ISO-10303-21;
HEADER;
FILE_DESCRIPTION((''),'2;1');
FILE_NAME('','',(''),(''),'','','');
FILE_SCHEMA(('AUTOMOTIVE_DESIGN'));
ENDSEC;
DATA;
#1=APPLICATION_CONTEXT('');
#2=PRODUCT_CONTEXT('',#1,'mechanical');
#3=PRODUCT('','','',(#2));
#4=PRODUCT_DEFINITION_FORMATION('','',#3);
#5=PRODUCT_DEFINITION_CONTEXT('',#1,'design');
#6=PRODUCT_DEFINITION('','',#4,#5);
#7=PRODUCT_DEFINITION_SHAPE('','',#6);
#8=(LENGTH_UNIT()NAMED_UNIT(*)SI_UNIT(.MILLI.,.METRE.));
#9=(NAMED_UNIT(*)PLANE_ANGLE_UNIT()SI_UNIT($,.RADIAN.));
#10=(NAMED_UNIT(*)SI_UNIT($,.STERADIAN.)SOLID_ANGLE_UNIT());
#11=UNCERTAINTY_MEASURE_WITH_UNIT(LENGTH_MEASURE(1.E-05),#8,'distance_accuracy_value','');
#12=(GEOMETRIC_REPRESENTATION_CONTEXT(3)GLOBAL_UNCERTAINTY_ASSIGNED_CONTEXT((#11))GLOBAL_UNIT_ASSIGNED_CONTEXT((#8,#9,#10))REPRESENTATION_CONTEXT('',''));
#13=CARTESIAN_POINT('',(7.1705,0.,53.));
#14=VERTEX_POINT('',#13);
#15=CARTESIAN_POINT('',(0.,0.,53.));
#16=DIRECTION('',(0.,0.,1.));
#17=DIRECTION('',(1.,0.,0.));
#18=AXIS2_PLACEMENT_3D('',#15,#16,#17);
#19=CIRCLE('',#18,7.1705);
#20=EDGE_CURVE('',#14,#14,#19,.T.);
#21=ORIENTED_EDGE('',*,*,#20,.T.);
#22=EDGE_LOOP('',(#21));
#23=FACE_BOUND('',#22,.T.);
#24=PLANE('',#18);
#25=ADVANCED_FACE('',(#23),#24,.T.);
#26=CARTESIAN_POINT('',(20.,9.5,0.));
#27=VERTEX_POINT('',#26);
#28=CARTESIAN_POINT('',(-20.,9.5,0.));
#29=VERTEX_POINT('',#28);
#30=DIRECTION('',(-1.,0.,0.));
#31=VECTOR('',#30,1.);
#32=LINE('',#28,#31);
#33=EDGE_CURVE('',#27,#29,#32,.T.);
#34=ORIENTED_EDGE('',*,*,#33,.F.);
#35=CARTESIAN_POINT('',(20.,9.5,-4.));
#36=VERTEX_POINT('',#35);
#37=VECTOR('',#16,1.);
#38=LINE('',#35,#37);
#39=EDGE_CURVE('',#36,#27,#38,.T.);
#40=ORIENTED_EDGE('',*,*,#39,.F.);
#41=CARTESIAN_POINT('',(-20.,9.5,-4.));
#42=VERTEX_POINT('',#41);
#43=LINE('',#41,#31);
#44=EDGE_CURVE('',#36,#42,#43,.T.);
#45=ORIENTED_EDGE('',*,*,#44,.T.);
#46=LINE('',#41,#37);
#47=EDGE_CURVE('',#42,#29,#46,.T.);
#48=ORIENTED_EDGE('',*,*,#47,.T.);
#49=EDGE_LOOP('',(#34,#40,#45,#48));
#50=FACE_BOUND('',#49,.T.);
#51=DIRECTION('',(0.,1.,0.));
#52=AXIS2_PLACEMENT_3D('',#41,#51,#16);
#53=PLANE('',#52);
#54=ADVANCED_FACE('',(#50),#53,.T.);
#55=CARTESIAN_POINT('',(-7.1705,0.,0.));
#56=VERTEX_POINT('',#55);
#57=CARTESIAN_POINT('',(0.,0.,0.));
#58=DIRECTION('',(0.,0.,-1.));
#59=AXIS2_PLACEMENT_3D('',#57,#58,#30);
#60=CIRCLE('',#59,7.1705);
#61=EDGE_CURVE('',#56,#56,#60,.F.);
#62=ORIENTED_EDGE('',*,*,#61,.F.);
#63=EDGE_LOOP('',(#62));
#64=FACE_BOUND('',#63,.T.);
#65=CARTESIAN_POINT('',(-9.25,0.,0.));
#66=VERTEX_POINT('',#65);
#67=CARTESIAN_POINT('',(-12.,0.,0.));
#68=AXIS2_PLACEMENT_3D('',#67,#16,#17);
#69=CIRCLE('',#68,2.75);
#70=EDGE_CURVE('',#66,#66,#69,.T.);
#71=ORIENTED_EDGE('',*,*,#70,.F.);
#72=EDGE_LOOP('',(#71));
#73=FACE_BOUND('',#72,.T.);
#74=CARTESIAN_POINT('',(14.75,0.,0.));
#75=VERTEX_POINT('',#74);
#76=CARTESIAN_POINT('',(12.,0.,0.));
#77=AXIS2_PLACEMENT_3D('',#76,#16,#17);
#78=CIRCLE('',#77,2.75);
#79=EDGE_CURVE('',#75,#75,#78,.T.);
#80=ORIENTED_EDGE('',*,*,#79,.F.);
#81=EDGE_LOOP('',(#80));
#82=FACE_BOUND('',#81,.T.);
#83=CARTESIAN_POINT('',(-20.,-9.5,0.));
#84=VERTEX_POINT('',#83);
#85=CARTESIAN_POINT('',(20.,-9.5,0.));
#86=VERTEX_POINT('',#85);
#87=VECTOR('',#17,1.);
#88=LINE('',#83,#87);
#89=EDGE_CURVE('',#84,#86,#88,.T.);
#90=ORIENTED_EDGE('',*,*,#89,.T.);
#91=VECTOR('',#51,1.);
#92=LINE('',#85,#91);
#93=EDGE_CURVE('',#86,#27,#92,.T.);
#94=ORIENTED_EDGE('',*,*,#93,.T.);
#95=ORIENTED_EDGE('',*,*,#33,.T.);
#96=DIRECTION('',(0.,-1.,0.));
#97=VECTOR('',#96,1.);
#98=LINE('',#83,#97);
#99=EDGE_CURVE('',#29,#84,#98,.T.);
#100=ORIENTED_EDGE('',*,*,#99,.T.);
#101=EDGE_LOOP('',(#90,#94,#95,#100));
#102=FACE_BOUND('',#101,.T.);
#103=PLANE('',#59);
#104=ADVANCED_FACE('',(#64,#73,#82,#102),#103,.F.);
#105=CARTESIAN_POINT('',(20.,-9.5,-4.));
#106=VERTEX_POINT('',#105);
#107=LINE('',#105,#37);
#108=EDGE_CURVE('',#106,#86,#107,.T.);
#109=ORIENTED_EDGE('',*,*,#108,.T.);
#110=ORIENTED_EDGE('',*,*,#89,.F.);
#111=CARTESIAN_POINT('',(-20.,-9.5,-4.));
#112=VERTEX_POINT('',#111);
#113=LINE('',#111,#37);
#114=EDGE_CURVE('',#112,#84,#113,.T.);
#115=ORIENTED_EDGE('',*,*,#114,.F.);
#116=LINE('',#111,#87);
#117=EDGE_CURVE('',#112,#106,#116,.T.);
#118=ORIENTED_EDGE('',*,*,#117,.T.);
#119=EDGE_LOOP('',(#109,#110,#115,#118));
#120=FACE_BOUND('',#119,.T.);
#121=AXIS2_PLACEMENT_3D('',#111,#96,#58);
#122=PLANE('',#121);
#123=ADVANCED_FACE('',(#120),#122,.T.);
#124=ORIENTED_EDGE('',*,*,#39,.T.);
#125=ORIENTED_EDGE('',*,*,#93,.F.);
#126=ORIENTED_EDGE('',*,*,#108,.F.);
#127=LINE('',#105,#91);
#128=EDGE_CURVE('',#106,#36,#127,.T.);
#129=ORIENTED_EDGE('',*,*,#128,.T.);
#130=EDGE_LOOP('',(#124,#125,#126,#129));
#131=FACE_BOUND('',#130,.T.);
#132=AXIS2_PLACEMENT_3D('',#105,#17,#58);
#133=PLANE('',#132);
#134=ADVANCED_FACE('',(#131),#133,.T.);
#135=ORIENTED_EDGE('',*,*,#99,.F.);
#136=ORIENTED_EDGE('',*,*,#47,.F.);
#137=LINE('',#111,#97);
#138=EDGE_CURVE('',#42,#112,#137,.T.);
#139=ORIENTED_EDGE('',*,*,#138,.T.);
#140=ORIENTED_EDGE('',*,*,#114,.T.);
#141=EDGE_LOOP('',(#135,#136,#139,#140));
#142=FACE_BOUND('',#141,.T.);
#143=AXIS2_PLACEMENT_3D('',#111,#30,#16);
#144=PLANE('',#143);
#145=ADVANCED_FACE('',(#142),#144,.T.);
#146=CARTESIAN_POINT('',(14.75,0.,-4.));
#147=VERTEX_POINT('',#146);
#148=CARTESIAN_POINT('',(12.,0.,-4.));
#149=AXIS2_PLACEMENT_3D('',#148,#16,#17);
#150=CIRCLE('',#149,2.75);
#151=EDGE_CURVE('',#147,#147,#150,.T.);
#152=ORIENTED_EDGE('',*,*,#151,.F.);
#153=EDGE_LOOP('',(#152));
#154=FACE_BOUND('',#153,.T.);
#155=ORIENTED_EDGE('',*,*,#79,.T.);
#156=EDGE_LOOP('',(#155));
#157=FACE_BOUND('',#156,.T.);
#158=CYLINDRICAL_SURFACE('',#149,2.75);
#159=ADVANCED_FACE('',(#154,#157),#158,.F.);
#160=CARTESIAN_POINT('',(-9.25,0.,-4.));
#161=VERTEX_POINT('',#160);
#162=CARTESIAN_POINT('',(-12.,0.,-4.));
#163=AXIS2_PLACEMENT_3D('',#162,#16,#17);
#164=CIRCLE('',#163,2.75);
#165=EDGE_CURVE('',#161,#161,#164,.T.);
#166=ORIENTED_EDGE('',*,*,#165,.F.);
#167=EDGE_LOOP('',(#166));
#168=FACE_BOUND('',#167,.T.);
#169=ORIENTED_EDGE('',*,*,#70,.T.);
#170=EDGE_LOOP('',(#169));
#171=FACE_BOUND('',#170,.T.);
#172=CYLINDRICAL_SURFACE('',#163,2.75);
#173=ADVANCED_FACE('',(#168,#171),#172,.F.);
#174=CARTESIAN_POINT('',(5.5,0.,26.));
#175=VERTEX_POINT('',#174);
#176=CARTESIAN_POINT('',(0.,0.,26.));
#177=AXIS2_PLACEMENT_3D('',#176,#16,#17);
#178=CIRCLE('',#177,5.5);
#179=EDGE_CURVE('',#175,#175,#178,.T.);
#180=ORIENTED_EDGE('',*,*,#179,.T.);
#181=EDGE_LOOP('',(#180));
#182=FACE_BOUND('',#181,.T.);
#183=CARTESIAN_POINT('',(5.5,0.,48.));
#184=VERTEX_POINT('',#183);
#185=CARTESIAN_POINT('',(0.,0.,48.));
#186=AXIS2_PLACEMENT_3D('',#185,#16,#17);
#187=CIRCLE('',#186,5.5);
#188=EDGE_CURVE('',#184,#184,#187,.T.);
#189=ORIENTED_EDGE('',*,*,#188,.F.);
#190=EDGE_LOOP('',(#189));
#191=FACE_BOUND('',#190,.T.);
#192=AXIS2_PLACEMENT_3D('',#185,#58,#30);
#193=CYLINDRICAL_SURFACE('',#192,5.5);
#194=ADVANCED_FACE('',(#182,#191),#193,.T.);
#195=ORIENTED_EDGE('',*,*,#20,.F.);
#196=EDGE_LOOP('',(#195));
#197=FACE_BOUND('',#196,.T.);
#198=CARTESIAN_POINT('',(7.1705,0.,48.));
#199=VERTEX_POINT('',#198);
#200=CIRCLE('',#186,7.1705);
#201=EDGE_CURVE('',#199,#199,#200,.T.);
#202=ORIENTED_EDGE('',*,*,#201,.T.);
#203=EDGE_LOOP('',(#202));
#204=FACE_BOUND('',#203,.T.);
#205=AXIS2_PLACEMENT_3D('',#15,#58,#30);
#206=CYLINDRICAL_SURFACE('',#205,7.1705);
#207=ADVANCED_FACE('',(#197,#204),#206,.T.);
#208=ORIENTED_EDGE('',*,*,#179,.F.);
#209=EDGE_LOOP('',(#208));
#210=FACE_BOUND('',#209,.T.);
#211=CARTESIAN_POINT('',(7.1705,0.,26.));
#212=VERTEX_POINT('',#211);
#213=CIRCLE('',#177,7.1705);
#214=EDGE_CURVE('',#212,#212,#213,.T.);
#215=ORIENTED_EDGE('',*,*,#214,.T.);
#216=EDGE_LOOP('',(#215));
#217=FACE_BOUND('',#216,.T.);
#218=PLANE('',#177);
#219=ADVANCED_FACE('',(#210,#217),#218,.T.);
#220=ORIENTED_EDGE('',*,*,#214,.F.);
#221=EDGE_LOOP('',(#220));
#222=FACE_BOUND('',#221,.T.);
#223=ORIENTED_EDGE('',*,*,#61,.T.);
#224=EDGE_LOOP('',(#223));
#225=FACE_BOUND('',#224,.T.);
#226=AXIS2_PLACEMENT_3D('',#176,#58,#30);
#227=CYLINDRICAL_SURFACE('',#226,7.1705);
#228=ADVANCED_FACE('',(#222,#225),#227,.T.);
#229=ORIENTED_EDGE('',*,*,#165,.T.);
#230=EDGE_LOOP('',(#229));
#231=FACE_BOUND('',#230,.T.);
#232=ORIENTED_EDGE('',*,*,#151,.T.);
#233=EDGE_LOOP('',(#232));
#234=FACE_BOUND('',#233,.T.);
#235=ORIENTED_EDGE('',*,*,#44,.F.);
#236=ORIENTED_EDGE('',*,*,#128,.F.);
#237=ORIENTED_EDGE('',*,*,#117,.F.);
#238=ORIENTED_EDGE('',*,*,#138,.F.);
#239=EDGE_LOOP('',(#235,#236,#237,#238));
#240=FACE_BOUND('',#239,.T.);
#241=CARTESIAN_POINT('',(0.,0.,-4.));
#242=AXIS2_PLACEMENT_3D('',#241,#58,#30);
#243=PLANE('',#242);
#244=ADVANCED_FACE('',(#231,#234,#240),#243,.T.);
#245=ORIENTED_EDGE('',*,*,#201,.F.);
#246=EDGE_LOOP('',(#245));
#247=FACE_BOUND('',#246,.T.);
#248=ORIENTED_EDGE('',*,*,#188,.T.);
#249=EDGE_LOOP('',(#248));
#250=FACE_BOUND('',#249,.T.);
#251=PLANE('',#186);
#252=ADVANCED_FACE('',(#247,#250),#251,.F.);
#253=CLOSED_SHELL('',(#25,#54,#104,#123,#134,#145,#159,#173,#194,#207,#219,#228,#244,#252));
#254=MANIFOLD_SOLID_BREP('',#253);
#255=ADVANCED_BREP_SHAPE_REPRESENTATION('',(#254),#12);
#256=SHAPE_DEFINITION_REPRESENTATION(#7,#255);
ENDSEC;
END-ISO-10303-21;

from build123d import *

# Parameters (mm, degrees)
SKETCH1_W           = 40
SKETCH1_H           = 19
SKETCH1_R           = 2.75
BOSS_EXTRUDE1_DEPTH = 4
SKETCH2_R           = 7.1705
BOSS_EXTRUDE2_DEPTH = 26
SKETCH3_R           = 5.5
BOSS_EXTRUDE3_DEPTH = 22
SKETCH4_R           = 7.1705
BOSS_EXTRUDE4_DEPTH = 5


with BuildPart() as part:
    # Sketch1 → Boss-Extrude1 (new body)
    with BuildSketch(Plane.XY):
        Rectangle(SKETCH1_W, SKETCH1_H)
        with Locations((12, 0)):
            Circle(SKETCH1_R, mode=Mode.SUBTRACT)
        with Locations((-12, 0)):
            Circle(SKETCH1_R, mode=Mode.SUBTRACT)
    extrude(amount=-BOSS_EXTRUDE1_DEPTH)

    # Sketch2 → Boss-Extrude2 (add)
    with BuildSketch(Plane.XY):
        Circle(SKETCH2_R)
    extrude(amount=BOSS_EXTRUDE2_DEPTH)

    # Sketch3 → Boss-Extrude3 (add)
    with BuildSketch(Plane.XY.offset(26)):
        Circle(SKETCH3_R)
    extrude(amount=BOSS_EXTRUDE3_DEPTH)

    # Sketch4 → Boss-Extrude4 (add)
    with BuildSketch(Plane.XY.offset(48)):
        Circle(SKETCH4_R)
    extrude(amount=BOSS_EXTRUDE4_DEPTH)


solid = part.part
